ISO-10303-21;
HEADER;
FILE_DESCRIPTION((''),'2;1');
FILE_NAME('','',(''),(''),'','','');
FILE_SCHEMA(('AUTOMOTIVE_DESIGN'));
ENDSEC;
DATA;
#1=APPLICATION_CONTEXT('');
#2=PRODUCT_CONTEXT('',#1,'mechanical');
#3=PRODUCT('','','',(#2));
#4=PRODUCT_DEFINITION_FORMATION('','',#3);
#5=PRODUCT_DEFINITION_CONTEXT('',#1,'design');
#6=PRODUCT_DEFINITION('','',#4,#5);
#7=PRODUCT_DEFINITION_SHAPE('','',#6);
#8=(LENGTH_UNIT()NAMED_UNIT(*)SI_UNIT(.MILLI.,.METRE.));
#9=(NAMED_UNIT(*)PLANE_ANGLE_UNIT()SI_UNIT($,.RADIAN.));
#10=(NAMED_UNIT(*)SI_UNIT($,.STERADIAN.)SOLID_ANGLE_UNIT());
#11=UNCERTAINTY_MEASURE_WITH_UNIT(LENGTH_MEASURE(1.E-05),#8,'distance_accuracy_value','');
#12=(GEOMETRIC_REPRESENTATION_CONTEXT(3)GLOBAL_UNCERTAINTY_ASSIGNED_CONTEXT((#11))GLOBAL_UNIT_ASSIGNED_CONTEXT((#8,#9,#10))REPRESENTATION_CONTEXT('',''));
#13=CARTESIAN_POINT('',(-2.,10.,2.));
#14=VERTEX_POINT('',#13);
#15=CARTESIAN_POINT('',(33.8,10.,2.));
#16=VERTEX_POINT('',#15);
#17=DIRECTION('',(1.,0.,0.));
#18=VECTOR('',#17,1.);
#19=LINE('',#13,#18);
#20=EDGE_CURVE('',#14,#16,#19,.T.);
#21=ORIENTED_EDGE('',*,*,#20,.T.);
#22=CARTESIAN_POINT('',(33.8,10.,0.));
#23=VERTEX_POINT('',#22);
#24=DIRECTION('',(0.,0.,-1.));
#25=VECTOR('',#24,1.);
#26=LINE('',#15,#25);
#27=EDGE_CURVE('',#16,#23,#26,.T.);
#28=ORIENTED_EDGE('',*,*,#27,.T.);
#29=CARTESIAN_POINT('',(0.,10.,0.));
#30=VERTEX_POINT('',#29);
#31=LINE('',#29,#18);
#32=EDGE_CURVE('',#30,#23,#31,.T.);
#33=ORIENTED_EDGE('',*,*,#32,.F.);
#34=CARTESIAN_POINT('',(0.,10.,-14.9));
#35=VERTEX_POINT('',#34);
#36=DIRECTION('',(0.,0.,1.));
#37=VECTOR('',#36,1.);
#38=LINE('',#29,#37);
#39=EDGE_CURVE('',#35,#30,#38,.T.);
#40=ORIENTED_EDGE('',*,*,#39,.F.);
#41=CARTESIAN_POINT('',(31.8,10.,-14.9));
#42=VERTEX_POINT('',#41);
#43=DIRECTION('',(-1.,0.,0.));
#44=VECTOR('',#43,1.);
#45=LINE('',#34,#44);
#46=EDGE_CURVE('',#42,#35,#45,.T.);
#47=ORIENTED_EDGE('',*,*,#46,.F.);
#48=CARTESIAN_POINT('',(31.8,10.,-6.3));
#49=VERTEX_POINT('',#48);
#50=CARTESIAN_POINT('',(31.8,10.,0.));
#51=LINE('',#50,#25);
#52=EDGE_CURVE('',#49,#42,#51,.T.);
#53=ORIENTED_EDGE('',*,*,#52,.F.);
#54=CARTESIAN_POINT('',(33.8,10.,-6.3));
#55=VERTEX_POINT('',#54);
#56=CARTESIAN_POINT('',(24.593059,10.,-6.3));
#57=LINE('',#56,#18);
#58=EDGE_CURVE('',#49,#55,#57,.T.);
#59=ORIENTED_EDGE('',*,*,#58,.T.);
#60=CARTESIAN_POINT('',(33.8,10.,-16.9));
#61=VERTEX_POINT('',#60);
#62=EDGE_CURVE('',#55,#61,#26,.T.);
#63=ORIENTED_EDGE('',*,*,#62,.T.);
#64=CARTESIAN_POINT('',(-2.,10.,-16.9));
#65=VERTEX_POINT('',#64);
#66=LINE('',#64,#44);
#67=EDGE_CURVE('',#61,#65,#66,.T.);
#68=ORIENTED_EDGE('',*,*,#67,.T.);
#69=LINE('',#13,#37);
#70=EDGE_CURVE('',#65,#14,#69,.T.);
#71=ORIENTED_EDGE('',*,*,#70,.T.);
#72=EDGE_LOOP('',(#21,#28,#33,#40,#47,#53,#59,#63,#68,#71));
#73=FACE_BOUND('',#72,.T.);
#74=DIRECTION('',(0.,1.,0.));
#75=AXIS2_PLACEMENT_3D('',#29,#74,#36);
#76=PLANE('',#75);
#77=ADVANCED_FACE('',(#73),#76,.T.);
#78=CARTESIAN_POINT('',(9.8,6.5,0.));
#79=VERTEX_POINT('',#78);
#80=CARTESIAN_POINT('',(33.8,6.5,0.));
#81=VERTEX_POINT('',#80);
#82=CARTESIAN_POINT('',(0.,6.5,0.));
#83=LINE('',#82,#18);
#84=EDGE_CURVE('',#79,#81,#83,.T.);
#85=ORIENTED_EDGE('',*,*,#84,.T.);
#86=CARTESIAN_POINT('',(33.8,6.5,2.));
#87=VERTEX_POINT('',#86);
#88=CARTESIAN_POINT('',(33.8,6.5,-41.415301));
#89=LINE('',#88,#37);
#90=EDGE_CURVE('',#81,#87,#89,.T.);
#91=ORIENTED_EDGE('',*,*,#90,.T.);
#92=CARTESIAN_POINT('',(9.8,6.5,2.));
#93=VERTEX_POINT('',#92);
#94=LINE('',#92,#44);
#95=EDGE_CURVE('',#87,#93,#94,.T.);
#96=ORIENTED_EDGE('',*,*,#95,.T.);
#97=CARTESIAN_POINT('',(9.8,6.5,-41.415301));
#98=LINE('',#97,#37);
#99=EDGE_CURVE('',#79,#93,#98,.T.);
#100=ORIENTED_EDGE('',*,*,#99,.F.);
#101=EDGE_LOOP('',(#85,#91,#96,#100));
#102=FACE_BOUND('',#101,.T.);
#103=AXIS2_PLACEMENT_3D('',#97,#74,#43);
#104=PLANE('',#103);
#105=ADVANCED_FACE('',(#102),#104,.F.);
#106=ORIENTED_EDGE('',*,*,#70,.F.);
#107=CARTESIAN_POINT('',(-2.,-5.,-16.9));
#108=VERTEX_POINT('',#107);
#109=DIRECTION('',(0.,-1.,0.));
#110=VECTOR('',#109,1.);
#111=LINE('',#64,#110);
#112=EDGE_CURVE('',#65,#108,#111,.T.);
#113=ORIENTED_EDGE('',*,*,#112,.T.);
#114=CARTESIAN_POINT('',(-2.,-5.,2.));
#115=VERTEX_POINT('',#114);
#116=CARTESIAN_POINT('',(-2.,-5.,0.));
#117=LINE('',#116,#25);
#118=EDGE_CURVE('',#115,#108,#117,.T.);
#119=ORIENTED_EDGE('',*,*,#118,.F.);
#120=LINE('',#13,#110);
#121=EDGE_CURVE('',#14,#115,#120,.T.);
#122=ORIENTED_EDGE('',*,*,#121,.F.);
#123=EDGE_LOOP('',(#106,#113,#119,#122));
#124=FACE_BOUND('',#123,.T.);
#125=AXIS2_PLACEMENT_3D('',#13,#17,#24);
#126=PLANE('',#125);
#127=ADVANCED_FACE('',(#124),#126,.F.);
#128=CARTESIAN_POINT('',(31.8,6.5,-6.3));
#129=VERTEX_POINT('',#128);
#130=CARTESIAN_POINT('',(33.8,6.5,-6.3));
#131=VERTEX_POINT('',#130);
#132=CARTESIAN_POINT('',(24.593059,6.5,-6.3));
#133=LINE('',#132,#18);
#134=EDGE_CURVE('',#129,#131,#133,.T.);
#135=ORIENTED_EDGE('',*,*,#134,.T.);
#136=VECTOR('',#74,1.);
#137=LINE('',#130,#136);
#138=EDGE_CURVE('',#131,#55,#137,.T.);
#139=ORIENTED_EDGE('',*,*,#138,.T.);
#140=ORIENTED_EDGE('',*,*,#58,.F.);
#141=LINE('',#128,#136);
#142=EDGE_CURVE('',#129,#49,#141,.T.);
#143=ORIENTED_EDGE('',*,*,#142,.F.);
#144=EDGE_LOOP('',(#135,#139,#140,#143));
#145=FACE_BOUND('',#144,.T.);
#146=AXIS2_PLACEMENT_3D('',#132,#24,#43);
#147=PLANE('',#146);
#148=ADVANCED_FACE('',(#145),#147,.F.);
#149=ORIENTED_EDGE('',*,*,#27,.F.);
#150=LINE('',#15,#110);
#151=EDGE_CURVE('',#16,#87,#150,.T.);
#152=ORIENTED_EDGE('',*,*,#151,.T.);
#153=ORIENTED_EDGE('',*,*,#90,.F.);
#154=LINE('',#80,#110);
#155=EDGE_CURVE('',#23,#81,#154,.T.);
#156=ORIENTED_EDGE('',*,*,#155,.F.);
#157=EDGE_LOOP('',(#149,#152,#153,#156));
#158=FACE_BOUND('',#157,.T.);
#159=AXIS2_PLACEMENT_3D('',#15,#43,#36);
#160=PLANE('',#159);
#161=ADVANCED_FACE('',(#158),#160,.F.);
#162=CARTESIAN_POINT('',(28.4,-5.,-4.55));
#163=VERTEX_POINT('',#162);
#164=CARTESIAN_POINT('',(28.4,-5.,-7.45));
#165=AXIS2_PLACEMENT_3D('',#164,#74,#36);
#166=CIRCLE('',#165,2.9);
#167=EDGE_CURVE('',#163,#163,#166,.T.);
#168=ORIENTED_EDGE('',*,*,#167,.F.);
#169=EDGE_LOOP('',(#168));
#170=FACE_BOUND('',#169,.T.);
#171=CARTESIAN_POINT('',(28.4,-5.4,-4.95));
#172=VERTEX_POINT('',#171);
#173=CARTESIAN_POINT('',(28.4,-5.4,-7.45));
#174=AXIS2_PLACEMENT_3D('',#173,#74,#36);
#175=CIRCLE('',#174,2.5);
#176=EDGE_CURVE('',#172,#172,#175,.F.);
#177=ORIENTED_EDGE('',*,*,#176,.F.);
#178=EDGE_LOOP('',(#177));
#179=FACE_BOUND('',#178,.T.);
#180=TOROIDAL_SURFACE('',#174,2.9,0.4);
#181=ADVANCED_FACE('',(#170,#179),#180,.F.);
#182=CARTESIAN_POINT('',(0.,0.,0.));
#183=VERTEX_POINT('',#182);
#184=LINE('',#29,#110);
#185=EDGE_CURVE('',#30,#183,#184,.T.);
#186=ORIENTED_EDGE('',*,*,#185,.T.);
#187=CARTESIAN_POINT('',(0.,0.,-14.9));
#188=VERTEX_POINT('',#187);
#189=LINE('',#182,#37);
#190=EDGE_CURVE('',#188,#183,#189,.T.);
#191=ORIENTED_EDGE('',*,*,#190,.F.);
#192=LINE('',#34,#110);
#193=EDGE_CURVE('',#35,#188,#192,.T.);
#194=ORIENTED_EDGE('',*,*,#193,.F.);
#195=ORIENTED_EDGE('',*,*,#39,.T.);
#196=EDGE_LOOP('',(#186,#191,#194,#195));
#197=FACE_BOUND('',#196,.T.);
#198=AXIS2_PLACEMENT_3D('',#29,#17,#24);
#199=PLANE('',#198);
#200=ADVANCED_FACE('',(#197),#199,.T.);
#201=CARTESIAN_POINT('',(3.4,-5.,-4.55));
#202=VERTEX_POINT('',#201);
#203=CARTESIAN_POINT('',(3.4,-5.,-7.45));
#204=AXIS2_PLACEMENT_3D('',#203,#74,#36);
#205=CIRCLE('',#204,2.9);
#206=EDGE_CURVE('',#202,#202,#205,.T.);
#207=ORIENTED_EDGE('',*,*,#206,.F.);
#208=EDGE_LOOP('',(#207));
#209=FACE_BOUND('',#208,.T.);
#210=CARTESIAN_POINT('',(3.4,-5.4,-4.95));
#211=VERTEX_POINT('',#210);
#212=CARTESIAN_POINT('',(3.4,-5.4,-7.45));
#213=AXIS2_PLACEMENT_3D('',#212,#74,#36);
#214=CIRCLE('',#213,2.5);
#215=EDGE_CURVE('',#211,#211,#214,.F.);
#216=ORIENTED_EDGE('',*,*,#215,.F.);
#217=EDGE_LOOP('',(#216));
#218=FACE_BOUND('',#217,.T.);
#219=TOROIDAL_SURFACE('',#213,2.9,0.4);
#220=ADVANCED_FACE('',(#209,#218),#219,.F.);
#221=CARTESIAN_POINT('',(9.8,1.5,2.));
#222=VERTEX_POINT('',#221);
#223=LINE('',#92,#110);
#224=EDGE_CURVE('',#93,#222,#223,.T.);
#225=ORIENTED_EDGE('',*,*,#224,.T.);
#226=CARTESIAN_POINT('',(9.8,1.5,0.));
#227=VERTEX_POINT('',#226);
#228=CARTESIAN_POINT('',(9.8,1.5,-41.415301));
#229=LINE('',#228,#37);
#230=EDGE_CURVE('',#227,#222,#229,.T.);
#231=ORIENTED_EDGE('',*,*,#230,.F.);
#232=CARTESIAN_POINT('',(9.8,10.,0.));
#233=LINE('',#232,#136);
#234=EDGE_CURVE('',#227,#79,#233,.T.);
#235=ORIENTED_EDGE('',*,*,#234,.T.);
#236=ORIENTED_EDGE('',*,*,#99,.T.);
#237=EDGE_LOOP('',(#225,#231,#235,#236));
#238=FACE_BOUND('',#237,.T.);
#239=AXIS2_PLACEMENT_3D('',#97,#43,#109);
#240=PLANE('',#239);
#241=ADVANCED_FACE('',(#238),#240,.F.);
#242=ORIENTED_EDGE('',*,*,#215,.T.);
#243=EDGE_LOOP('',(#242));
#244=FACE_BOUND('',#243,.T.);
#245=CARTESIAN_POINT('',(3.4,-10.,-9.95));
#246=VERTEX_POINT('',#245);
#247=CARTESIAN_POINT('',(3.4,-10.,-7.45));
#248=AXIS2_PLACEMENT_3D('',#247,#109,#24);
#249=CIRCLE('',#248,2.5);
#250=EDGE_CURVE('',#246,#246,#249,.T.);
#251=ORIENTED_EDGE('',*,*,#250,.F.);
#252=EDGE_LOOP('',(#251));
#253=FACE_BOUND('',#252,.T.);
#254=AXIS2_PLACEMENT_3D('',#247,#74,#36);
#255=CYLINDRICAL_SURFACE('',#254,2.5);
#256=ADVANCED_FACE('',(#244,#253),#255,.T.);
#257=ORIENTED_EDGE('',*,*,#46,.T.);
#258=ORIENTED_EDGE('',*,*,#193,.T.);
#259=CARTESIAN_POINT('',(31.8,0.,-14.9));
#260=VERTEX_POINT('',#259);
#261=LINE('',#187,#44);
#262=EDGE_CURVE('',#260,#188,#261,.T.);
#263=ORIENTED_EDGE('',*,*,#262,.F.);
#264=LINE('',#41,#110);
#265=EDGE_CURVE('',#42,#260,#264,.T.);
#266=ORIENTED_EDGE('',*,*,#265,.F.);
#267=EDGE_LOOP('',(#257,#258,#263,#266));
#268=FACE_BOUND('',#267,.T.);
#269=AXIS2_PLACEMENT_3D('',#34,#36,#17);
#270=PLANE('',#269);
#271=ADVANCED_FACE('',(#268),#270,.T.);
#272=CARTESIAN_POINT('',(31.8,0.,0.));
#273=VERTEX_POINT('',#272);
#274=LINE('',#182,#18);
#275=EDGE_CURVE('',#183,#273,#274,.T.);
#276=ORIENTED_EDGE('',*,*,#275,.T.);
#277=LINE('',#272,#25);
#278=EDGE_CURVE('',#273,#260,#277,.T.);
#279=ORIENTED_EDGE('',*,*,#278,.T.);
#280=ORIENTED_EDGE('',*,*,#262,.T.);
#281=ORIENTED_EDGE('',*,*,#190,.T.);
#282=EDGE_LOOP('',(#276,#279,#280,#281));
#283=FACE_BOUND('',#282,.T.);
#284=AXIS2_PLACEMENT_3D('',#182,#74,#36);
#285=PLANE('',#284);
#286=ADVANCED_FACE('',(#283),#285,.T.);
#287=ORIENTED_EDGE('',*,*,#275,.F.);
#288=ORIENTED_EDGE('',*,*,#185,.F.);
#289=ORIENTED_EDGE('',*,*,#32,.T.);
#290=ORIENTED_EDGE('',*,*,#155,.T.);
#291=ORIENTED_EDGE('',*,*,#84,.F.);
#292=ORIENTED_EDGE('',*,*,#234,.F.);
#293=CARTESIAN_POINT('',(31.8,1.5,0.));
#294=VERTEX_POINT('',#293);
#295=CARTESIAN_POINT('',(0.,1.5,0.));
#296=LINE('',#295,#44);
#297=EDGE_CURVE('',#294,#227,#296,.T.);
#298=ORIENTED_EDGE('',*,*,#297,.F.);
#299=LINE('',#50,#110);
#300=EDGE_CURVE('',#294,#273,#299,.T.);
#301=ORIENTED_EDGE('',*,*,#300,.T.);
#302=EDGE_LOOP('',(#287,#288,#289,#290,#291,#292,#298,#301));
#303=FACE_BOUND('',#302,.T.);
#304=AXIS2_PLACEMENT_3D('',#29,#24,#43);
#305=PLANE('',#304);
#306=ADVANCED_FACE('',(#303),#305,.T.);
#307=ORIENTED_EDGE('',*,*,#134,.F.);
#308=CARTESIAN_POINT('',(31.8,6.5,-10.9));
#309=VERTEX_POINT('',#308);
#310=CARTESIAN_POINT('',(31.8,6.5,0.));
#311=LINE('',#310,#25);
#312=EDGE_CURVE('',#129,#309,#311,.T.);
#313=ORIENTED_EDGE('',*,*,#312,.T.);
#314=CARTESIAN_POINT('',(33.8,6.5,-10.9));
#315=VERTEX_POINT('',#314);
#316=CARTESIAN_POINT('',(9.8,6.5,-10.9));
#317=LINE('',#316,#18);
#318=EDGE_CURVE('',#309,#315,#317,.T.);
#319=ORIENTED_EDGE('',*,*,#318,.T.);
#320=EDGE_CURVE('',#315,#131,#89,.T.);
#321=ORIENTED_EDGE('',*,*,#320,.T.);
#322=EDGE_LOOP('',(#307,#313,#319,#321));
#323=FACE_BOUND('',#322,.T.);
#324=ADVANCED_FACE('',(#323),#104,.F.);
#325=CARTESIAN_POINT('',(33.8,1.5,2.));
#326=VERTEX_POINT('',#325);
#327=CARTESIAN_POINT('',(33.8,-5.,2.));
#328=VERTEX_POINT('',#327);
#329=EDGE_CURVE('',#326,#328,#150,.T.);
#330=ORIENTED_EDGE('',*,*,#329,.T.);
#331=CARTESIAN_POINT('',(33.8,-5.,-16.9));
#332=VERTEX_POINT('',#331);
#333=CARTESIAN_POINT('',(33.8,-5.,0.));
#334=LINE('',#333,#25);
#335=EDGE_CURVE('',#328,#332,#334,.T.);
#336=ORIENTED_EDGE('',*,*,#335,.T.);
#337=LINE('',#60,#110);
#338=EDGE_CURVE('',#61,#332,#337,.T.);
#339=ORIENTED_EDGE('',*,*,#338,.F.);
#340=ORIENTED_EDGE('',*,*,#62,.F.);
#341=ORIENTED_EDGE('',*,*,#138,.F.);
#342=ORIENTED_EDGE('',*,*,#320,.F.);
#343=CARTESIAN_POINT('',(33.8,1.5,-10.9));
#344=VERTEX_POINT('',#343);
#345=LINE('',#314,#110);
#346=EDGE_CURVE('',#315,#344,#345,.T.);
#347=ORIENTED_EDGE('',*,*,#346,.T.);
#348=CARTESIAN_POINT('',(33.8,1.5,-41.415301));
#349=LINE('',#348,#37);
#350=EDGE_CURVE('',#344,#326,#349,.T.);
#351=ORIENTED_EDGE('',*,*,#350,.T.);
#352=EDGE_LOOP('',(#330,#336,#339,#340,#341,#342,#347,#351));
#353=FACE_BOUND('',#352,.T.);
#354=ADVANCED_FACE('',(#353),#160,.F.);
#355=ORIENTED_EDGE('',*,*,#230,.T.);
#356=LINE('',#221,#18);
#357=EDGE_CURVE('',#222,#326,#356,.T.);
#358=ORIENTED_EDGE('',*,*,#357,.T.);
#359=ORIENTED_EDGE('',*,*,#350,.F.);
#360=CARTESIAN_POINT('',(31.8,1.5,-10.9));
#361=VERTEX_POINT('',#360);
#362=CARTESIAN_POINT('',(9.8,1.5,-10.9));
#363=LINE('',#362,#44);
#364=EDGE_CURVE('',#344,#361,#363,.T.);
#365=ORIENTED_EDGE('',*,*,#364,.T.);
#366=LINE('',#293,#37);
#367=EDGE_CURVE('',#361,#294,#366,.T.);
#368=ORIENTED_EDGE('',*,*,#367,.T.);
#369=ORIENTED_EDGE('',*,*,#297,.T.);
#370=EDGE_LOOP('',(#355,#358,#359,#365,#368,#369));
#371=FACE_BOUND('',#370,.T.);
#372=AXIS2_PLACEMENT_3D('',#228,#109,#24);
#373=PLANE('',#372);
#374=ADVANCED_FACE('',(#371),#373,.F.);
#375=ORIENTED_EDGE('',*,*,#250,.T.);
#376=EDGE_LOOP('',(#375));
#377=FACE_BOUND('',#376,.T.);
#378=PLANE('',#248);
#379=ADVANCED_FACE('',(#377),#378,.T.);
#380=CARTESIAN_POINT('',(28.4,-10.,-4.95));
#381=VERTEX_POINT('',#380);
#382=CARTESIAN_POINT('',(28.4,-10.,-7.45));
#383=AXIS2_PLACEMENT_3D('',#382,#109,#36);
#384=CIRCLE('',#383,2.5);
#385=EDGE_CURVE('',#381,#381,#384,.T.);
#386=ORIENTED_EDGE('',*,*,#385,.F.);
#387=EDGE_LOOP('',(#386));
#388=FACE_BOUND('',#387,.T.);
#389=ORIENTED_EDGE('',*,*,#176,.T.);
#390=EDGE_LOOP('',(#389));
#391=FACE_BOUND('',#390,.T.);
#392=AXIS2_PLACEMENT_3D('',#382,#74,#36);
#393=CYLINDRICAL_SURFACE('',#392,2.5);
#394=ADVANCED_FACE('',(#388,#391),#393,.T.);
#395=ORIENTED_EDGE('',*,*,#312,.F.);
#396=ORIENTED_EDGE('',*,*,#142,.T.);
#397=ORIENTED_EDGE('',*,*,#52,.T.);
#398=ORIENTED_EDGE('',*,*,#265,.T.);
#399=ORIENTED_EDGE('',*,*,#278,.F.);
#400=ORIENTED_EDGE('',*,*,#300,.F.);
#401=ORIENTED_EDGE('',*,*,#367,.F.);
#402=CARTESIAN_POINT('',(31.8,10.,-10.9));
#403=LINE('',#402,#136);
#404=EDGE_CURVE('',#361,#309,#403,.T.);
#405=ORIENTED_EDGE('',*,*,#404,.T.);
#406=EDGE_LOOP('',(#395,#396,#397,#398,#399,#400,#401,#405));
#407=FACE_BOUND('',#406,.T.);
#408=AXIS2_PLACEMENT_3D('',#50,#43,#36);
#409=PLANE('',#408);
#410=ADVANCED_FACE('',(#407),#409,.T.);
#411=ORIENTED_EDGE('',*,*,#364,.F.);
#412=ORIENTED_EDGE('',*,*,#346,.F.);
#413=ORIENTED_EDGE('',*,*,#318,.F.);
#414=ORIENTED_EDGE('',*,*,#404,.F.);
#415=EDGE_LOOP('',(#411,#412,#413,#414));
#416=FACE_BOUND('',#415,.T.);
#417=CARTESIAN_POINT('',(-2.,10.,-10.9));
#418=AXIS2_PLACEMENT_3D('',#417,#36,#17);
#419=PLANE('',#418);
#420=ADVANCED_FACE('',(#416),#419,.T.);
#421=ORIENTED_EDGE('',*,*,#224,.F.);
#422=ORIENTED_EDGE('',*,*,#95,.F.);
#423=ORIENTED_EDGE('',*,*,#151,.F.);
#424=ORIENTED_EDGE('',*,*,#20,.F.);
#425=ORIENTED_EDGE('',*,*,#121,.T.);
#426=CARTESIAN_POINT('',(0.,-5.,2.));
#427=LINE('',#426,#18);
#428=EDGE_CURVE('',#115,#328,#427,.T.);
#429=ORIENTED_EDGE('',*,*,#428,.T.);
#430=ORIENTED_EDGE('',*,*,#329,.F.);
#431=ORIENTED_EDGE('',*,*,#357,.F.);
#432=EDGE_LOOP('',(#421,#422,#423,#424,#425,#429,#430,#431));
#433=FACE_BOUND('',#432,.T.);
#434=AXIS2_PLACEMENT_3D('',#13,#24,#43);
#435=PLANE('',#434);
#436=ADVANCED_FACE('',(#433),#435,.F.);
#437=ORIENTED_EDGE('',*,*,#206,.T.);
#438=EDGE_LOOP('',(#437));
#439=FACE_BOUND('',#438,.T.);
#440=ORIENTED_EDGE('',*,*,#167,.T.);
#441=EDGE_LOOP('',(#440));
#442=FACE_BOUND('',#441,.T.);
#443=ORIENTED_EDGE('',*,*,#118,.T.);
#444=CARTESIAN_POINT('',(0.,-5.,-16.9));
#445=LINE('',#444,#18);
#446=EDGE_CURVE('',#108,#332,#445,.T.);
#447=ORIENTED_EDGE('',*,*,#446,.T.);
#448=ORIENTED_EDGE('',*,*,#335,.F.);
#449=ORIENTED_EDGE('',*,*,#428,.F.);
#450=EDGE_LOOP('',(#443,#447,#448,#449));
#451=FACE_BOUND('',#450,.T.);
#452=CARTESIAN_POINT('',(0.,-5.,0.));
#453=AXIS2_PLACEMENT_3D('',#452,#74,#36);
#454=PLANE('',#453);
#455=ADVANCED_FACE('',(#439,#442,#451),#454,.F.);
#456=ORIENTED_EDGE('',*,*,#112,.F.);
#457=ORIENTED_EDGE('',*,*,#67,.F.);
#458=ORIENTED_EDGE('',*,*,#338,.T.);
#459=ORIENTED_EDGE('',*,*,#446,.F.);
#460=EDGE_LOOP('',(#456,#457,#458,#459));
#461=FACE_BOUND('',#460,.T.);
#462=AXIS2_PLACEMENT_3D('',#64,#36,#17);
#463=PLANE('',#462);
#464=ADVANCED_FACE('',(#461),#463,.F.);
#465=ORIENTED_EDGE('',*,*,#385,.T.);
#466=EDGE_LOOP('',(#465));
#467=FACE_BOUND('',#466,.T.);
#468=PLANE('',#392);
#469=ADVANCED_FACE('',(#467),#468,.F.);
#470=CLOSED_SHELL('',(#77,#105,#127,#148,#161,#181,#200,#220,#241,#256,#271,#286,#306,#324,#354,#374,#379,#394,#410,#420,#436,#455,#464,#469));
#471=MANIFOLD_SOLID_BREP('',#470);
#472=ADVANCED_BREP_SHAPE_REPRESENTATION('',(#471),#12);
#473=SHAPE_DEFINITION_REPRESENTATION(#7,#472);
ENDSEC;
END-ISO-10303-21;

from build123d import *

# Parameters (mm, degrees)
SKETCH1_W           = 35.8
SKETCH1_H           = 18.9
SKETCH1_W_2         = 31.8
SKETCH1_H_2         = 14.9
BOSS_EXTRUDE1_DEPTH = 10
SKETCH1_2_W         = 35.8
SKETCH1_2_H         = 18.9
SKETCH1_2_W_2       = 31.8
SKETCH1_2_H_2       = 14.9
BOSS_EXTRUDE2_DEPTH = 5
SKETCH2_W           = 24
SKETCH2_H           = 5
CUT_EXTRUDE1_DEPTH  = 12.9
SKETCH3_W           = 6.3
SKETCH3_H           = 3.5
CUT_EXTRUDE2_DEPTH  = 2
SKETCH4_R           = 2.5
BOSS_EXTRUDE3_DEPTH = 5
FILLET1_R           = 0.4


with BuildPart() as part:
    # Sketch1 → Boss-Extrude1 (new body)
    with BuildSketch(Plane(origin=(0, 0, 0), x_dir=(1, 0, 0), z_dir=(0, 1, 0))):
        with Locations((15.9, 7.45)):
            Rectangle(SKETCH1_W, SKETCH1_H)
        with Locations((15.9, 7.45)):
            Rectangle(SKETCH1_W_2, SKETCH1_H_2, mode=Mode.SUBTRACT)
    extrude(amount=BOSS_EXTRUDE1_DEPTH)

    # Sketch1<2> → Boss-Extrude2 (add)
    # profile 1 of 2: a face of its own
    with BuildSketch(Plane(origin=(0, 0, 0), x_dir=(1, 0, 0), z_dir=(0, 1, 0))):
        with Locations((15.9, 7.45)):
            Rectangle(SKETCH1_2_W, SKETCH1_2_H)
        with Locations((15.9, 7.45)):
            Rectangle(SKETCH1_2_W_2, SKETCH1_2_H_2, mode=Mode.SUBTRACT)
    # profile 2 of 2: a face of its own
    with BuildSketch(Plane(origin=(0, 0, 0), x_dir=(1, 0, 0), z_dir=(0, 1, 0))):
        with Locations((15.9, 7.45)):
            Rectangle(SKETCH1_2_W_2, SKETCH1_2_H_2)
    extrude(amount=-BOSS_EXTRUDE2_DEPTH)

    # Sketch2 → Cut-Extrude1 (cut)
    with BuildSketch(Plane.XY.offset(2)):
        with Locations((21.8, 4)):
            Rectangle(SKETCH2_W, SKETCH2_H)
    extrude(amount=-CUT_EXTRUDE1_DEPTH, mode=Mode.SUBTRACT)

    # Sketch3 → Cut-Extrude2 (cut)
    with BuildSketch(Plane(origin=(33.8, 0, 0), x_dir=(0, 0, -1), z_dir=(1, 0, 0))):
        with Locations((3.15, 8.25)):
            Rectangle(SKETCH3_W, SKETCH3_H)
    extrude(amount=-CUT_EXTRUDE2_DEPTH, mode=Mode.SUBTRACT)

    # Sketch4 → Boss-Extrude3 (add)
    with BuildSketch(Plane.XZ.offset(5)):
        with Locations(Location((3.4, -7.45, 0), (0, 0, 90))):
            Circle(SKETCH4_R)
        with Locations(Location((28.4, -7.45, 0), (0, 0, 90))):
            Circle(SKETCH4_R)
    extrude(amount=BOSS_EXTRUDE3_DEPTH)

    # Fillet1
    fillet1_edges = [part.edges().sort_by_distance(p)[0] for p in [
        (3.4, -5, -9.95),
        (28.4, -5, -9.95),
    ]]
    fillet(fillet1_edges, radius=FILLET1_R)


solid = part.part
